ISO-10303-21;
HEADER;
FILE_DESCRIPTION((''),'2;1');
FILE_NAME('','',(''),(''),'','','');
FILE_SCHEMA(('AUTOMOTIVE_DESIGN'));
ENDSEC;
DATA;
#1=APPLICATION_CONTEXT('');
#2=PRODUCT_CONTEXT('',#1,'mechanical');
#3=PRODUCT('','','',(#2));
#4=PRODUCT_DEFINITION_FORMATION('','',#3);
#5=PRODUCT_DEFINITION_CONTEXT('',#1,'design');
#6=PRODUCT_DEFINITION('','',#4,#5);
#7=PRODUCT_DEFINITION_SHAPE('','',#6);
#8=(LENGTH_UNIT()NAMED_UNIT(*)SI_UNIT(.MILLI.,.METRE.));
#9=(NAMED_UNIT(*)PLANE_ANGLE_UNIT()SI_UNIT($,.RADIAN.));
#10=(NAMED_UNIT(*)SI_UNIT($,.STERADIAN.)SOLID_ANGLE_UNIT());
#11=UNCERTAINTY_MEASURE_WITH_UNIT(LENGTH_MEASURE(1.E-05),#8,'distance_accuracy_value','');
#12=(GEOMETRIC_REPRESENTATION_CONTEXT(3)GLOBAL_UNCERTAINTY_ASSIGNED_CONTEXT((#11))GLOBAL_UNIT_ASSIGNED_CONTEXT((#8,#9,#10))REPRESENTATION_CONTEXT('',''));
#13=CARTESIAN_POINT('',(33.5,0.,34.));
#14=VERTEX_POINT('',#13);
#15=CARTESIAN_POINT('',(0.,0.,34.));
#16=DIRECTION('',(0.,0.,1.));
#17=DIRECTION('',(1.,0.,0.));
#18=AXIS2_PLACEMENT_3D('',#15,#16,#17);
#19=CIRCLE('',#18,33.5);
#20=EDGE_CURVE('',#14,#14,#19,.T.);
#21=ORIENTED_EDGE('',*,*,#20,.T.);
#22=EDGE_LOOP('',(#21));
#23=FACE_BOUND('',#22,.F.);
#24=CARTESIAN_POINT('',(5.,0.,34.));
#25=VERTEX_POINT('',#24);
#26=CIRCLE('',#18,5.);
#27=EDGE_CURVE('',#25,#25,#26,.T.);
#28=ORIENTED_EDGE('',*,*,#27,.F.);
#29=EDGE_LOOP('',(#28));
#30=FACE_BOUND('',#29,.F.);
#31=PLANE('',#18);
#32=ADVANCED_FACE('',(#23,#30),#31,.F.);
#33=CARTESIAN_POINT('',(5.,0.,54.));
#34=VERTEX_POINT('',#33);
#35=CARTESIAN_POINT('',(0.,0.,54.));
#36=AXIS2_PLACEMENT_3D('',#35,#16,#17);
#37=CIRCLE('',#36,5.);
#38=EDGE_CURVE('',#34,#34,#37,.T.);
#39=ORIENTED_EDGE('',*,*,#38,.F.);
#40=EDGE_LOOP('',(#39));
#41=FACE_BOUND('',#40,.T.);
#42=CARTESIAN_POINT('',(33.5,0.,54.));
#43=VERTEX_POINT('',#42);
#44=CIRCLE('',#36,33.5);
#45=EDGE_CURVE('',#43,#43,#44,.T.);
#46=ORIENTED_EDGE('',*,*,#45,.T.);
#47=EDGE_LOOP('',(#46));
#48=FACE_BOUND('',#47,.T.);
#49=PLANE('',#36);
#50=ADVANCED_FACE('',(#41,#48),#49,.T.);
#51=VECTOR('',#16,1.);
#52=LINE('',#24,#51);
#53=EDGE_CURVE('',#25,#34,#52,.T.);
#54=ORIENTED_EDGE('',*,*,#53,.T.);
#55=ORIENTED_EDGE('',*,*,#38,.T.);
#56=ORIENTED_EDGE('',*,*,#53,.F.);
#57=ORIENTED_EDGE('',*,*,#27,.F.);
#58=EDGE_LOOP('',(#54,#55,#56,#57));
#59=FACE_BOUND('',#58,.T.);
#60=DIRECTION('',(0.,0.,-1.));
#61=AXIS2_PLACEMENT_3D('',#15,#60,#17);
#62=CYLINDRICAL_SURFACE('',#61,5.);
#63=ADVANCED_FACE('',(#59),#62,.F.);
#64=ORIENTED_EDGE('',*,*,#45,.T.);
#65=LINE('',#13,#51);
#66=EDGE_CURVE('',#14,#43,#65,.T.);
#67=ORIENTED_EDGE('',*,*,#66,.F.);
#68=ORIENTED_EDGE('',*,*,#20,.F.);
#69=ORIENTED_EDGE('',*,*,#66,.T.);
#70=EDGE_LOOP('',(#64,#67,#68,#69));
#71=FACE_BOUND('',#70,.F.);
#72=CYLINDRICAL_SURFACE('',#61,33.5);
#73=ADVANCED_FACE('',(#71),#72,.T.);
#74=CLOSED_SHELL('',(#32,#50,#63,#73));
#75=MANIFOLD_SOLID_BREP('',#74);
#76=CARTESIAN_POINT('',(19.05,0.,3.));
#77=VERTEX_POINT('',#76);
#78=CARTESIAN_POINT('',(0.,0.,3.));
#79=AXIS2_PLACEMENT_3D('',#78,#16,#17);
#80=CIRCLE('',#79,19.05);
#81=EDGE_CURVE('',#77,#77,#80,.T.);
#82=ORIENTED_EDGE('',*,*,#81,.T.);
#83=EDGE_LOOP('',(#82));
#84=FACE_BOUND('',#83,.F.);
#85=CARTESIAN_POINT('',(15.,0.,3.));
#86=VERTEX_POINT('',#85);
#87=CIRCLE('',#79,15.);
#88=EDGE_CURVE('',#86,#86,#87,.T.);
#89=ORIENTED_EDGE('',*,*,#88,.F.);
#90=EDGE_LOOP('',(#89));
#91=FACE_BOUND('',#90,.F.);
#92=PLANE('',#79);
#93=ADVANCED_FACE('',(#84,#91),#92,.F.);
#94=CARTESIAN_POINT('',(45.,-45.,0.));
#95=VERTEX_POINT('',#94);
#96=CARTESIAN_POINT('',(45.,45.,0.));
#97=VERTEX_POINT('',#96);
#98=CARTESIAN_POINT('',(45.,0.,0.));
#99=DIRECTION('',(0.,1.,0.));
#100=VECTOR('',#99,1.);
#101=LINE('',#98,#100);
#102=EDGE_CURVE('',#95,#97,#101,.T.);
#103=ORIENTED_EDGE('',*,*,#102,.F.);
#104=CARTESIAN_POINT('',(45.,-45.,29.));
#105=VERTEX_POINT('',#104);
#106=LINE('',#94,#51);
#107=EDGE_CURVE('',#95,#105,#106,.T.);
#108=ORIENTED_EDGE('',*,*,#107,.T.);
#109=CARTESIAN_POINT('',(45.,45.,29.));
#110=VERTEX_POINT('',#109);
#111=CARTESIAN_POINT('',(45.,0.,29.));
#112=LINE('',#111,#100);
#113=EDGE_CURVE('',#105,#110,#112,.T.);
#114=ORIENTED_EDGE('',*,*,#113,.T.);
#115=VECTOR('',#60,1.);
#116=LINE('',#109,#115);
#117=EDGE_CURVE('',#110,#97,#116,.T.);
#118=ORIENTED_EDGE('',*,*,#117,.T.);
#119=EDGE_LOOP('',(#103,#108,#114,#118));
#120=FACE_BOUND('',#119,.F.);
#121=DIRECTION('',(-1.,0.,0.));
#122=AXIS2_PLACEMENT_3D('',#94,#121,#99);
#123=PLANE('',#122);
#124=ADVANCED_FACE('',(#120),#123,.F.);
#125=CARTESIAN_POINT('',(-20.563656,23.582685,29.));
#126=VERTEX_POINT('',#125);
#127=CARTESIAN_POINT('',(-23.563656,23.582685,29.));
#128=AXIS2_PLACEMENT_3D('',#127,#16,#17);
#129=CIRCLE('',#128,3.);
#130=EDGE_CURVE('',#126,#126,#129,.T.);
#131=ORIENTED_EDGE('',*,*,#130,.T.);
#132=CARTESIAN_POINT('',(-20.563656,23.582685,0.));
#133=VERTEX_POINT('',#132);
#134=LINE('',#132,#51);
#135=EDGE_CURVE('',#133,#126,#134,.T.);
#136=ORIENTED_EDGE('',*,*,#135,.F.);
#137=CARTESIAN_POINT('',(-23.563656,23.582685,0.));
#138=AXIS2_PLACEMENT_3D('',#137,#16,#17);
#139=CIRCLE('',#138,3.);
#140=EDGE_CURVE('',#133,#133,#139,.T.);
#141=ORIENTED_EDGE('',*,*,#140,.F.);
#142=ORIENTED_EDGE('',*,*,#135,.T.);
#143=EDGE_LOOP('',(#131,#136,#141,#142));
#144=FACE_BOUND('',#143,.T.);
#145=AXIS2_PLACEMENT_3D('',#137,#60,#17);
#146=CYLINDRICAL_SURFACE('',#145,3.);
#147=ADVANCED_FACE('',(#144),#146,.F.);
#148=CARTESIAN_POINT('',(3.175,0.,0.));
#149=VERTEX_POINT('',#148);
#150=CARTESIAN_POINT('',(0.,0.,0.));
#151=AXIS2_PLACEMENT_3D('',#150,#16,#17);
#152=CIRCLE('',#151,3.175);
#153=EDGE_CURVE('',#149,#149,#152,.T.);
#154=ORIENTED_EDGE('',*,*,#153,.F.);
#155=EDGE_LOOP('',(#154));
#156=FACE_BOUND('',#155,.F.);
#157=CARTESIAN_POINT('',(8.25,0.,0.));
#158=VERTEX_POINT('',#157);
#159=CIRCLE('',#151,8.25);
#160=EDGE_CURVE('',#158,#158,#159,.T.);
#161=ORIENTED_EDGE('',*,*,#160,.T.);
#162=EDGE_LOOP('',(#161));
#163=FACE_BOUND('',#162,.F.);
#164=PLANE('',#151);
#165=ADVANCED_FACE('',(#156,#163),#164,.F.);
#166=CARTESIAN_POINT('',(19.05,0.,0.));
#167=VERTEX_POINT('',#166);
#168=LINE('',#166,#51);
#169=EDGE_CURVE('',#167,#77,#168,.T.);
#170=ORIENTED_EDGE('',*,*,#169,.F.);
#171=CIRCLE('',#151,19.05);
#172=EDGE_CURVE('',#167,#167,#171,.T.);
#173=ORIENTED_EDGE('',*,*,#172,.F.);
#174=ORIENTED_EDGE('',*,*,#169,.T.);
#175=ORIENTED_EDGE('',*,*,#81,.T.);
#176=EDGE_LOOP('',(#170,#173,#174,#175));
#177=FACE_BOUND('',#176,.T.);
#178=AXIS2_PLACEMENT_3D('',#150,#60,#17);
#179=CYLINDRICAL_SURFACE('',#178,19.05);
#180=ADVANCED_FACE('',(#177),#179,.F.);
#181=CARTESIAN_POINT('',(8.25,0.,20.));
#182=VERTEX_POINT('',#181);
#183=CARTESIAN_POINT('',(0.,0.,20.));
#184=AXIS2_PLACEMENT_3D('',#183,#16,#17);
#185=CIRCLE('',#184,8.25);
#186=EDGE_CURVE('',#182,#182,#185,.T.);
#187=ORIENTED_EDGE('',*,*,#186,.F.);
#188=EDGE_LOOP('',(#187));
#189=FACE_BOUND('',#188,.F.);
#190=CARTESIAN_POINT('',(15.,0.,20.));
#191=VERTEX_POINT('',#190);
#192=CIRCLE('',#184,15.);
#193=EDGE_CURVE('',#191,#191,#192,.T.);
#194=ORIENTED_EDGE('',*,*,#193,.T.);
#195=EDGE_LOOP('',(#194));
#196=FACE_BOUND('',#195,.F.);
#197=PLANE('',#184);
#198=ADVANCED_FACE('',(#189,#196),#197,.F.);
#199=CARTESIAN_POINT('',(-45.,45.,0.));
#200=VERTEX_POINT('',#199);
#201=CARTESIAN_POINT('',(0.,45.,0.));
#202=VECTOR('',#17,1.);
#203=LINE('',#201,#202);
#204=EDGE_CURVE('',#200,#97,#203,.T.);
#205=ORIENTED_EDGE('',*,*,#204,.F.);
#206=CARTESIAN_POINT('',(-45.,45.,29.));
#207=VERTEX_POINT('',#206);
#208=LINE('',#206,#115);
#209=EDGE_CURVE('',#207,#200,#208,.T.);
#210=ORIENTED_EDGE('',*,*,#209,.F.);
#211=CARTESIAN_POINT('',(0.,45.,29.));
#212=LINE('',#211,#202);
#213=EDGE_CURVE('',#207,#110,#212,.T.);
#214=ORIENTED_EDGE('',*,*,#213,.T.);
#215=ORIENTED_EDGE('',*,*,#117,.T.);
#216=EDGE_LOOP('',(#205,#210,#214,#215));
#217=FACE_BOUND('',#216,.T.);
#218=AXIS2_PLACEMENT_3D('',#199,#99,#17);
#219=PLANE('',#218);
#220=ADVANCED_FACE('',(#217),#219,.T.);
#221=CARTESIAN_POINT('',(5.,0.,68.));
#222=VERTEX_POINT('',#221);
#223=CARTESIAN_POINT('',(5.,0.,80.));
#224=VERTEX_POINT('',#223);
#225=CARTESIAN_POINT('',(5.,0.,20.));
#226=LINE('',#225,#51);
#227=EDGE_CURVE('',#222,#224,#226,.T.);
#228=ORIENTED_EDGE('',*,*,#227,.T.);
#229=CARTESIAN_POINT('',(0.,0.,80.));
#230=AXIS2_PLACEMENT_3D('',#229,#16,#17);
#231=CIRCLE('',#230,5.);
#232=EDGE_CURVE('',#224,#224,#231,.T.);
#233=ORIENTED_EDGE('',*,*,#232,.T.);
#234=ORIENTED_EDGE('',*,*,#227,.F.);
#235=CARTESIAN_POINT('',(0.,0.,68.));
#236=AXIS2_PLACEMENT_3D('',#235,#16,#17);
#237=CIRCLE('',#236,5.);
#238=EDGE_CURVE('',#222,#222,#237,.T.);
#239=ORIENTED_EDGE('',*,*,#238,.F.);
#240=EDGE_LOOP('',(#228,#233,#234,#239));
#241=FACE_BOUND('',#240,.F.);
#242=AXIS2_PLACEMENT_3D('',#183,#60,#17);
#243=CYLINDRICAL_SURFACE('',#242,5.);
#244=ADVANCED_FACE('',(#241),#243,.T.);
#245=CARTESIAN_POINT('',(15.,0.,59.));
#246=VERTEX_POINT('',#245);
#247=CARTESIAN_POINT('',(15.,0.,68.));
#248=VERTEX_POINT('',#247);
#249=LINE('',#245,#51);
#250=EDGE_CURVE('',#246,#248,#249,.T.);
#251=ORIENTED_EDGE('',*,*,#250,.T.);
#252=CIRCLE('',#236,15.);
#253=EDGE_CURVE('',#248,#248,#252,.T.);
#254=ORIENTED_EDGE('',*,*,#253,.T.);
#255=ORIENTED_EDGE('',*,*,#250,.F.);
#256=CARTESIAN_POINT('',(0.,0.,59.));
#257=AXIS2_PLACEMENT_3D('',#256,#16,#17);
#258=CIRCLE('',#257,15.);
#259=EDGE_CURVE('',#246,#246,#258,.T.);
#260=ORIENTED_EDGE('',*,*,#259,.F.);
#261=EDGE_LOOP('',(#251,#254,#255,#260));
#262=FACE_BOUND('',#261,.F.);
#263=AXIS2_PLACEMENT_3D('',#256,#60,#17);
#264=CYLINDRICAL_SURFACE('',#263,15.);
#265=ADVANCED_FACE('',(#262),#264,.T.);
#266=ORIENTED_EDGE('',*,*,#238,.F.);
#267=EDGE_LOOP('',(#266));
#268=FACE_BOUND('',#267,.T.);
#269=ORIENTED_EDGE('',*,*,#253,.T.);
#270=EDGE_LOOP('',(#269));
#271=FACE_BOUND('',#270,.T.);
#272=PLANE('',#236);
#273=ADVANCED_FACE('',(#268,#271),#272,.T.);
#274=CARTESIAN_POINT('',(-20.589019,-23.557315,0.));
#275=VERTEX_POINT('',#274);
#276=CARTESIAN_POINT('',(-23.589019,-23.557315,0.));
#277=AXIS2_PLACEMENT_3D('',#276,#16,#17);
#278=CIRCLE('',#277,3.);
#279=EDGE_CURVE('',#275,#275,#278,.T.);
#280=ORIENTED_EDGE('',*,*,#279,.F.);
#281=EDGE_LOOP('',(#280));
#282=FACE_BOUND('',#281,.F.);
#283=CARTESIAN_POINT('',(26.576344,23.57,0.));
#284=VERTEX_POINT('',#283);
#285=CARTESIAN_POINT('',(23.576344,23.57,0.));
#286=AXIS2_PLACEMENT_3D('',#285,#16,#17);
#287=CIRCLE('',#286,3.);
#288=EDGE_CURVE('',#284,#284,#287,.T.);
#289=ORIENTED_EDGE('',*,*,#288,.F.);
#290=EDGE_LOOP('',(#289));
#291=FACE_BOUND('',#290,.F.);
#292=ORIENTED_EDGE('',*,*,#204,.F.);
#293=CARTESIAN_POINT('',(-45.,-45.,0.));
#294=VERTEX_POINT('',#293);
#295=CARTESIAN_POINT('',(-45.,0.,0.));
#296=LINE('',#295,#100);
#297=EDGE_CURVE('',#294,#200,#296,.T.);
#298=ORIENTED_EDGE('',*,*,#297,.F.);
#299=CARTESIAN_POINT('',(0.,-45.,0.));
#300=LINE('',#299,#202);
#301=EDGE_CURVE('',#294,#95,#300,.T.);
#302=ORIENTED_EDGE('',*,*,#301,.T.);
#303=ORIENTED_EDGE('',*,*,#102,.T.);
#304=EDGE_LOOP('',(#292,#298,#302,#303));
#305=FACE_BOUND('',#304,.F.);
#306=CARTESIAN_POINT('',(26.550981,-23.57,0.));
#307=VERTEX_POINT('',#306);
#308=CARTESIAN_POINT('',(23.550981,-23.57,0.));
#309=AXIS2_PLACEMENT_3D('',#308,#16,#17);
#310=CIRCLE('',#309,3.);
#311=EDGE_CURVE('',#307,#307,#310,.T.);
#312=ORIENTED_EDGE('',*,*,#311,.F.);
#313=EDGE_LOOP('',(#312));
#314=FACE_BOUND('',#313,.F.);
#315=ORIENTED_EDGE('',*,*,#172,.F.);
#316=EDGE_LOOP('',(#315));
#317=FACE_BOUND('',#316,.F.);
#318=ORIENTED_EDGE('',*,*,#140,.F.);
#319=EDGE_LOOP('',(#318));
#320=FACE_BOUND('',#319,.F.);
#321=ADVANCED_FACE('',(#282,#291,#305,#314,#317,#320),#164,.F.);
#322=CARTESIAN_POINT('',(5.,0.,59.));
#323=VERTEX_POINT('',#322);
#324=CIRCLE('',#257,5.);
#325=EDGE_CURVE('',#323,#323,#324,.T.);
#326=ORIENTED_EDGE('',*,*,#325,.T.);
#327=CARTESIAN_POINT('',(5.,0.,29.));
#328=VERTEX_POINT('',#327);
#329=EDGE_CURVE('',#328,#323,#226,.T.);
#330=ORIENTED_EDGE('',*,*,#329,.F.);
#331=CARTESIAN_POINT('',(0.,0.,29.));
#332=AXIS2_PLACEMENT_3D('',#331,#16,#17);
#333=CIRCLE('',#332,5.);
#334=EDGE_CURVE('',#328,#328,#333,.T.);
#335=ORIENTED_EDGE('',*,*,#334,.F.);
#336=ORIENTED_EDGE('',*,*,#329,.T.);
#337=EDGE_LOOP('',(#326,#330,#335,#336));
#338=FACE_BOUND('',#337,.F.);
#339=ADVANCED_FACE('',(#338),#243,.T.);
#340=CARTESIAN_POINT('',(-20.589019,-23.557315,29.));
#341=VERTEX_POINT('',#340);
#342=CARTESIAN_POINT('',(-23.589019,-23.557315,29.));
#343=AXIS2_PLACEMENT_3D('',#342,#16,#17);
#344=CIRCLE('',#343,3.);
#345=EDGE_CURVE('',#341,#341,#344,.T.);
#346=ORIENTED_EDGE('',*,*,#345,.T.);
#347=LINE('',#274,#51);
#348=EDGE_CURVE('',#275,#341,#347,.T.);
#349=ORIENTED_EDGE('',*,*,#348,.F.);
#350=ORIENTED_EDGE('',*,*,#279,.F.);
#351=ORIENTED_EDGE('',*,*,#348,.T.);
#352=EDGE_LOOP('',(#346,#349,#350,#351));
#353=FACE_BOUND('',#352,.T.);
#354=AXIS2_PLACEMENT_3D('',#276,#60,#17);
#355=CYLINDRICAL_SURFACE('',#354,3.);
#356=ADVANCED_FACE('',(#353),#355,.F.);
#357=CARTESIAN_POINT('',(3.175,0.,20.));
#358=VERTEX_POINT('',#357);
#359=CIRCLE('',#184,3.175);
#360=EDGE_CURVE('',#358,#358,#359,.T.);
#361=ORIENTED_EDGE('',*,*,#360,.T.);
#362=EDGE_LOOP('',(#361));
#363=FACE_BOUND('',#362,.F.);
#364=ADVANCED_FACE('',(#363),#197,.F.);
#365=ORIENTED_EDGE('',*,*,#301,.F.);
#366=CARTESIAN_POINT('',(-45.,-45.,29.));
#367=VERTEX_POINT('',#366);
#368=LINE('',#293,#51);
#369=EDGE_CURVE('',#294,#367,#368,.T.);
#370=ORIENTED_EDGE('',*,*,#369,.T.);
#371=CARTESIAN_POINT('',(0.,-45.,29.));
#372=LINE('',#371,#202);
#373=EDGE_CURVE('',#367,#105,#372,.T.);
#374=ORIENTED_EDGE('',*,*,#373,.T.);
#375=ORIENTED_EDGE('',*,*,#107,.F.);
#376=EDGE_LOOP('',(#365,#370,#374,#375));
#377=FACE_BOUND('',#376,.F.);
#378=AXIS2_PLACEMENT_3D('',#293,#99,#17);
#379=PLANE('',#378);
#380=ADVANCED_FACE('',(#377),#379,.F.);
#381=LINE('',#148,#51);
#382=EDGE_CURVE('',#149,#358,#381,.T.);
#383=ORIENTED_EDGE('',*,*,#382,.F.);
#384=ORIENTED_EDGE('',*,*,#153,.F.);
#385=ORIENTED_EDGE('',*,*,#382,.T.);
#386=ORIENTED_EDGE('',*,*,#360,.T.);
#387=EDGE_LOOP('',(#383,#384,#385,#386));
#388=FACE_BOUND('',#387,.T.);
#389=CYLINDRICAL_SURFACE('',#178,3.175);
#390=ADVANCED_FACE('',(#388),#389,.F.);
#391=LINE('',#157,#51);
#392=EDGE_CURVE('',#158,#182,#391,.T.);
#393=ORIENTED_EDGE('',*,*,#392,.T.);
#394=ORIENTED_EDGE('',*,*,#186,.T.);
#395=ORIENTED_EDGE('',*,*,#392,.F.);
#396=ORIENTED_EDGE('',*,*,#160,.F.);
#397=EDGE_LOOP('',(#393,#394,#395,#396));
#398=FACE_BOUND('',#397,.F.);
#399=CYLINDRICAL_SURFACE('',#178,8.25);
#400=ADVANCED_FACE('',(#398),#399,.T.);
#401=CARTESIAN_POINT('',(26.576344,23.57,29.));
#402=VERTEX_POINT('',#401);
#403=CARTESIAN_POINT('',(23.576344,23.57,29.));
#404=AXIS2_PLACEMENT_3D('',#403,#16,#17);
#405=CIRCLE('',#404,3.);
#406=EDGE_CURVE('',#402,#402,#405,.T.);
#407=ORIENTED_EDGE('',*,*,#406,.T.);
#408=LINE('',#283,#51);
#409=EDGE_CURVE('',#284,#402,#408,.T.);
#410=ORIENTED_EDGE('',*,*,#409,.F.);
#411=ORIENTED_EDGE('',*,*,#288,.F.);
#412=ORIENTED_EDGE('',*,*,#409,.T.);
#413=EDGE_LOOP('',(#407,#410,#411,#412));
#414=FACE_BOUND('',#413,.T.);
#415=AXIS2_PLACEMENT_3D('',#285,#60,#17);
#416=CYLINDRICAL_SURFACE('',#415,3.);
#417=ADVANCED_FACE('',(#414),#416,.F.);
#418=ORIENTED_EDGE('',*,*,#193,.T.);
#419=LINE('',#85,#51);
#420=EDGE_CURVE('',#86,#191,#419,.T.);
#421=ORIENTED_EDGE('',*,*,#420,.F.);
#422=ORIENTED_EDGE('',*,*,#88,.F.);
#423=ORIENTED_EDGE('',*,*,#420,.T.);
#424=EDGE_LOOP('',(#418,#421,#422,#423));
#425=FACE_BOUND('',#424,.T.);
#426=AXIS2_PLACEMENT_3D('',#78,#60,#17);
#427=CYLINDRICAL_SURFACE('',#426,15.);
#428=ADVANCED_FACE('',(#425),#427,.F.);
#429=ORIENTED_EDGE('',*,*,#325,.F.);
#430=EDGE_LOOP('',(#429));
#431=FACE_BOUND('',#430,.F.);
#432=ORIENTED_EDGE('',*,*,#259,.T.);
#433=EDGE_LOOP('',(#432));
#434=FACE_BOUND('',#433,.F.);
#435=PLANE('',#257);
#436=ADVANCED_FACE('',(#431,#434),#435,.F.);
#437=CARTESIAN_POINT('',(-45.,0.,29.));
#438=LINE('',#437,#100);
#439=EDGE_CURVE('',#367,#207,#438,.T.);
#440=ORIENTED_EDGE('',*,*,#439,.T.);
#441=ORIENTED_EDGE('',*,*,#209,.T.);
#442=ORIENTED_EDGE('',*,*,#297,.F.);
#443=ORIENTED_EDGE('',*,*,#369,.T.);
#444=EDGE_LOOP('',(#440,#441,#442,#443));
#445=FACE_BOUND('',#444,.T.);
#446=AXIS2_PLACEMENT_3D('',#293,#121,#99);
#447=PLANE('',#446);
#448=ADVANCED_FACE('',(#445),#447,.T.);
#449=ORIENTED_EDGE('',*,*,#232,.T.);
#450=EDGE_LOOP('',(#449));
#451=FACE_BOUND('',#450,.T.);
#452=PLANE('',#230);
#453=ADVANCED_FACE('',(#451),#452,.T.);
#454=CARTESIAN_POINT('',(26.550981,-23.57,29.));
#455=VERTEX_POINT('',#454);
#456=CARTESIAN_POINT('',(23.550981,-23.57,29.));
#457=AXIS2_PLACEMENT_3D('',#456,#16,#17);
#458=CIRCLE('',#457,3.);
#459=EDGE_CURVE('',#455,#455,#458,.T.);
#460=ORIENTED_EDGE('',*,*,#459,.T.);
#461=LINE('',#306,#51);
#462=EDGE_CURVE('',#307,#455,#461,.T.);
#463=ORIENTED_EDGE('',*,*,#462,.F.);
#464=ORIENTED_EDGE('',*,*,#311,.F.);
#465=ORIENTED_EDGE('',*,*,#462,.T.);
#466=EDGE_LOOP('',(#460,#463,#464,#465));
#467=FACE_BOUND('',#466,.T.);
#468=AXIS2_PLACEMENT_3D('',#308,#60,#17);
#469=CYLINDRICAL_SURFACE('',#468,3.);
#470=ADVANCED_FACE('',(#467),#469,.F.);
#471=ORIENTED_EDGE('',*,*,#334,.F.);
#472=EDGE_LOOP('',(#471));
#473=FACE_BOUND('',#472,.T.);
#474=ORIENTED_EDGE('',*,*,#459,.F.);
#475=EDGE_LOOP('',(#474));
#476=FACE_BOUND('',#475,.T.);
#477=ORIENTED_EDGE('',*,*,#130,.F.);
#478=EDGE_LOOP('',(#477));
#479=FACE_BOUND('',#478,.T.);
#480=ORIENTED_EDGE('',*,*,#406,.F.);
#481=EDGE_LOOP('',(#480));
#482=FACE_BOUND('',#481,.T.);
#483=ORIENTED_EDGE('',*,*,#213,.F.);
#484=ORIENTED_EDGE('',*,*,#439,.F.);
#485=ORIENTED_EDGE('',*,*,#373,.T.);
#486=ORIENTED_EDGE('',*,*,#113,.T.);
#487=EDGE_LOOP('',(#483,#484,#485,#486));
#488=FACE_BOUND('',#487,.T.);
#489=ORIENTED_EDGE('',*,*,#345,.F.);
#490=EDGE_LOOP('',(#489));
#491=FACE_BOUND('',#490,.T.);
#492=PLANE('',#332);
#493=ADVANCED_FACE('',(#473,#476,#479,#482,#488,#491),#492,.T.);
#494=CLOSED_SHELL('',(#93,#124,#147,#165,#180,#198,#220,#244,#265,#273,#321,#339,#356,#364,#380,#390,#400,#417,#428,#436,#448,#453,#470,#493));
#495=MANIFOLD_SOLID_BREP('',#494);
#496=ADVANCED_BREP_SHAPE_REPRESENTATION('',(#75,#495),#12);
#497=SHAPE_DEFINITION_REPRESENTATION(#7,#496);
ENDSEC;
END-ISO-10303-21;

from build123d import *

# Parameters (mm, degrees)
F2_R        = 8.25
F2_R_2      = 5
F2_R_3      = 3.175
F3_DEPTH    = 20
F4_START    = 20
F4_DEPTH    = 60
F6_START    = 20
F5_R        = 15
F5_R_2      = 5
F6_DEPTH    = 9
F7_START    = 30
F6_FACE_R   = 15
F6_FACE_R_2 = 5
F7_DEPTH    = 9
F9_START    = 34
F8_R        = 33.5
F8_R_2      = 5
F9_DEPTH    = 20
F10_START   = 3
F1_W        = 90
F1_H        = 90
F1_R        = 3
F1_R_2      = 19.05
F1_R_3      = 15
F10_DEPTH   = 26
F11_DEPTH   = 3


with BuildPart() as f3:
    # F2 (on Top) → F3 (new body)
    with BuildSketch(Plane.XY):
        Circle(F2_R)
        Circle(F2_R_2, mode=Mode.SUBTRACT)
        Circle(F2_R_2)
        Circle(F2_R_3, mode=Mode.SUBTRACT)
    extrude(amount=F3_DEPTH)

    # F2 (on Top) → F4 (join)
    with BuildSketch(Plane.XY.offset(F4_START)):
        Circle(F2_R_2)
        Circle(F2_R_3, mode=Mode.SUBTRACT)
        Circle(F2_R_3)
    extrude(amount=F4_DEPTH)

    # F5 (on Top) → F6 (join)
    with BuildSketch(Plane.XY.offset(F6_START)):
        Circle(F5_R)
        Circle(F5_R_2, mode=Mode.SUBTRACT)
    extrude(amount=F6_DEPTH)

    # F6_face (on face) → F7 (join)
    with BuildSketch(Plane.XY.offset(29).offset(F7_START)):
        Circle(F6_FACE_R)
        Circle(F6_FACE_R_2, mode=Mode.SUBTRACT)
    extrude(amount=F7_DEPTH)

    # F1 (on Top) → F10 (join)
    with BuildSketch(Plane.XY.offset(F10_START)):
        Rectangle(F1_W, F1_H)
        with Locations((-23.5890189799, -23.5573149959)):
            Circle(F1_R, mode=Mode.SUBTRACT)
        with Locations((23.5509810201, -23.57)):
            Circle(F1_R, mode=Mode.SUBTRACT)
        with Locations((-23.5636557912, 23.5826850041)):
            Circle(F1_R, mode=Mode.SUBTRACT)
        Circle(F1_R_2, mode=Mode.SUBTRACT)
        with Locations((23.5763442088, 23.57)):
            Circle(F1_R, mode=Mode.SUBTRACT)
        Circle(F1_R_2)
        Circle(F1_R_3, mode=Mode.SUBTRACT)
    extrude(amount=F10_DEPTH)

    # F1 (on Top) → F11 (join)
    with BuildSketch(Plane.XY):
        Rectangle(F1_W, F1_H)
        with Locations((-23.5890189799, -23.5573149959)):
            Circle(F1_R, mode=Mode.SUBTRACT)
        with Locations((23.5509810201, -23.57)):
            Circle(F1_R, mode=Mode.SUBTRACT)
        with Locations((-23.5636557912, 23.5826850041)):
            Circle(F1_R, mode=Mode.SUBTRACT)
        Circle(F1_R_2, mode=Mode.SUBTRACT)
        with Locations((23.5763442088, 23.57)):
            Circle(F1_R, mode=Mode.SUBTRACT)
    extrude(amount=F11_DEPTH)


with BuildPart() as f9:
    # F8 (on Top) → F9 (new body)
    with BuildSketch(Plane.XY.offset(F9_START)):
        Circle(F8_R)
        Circle(F8_R_2, mode=Mode.SUBTRACT)
    extrude(amount=F9_DEPTH)


solid = Compound([f3.part, f9.part])
